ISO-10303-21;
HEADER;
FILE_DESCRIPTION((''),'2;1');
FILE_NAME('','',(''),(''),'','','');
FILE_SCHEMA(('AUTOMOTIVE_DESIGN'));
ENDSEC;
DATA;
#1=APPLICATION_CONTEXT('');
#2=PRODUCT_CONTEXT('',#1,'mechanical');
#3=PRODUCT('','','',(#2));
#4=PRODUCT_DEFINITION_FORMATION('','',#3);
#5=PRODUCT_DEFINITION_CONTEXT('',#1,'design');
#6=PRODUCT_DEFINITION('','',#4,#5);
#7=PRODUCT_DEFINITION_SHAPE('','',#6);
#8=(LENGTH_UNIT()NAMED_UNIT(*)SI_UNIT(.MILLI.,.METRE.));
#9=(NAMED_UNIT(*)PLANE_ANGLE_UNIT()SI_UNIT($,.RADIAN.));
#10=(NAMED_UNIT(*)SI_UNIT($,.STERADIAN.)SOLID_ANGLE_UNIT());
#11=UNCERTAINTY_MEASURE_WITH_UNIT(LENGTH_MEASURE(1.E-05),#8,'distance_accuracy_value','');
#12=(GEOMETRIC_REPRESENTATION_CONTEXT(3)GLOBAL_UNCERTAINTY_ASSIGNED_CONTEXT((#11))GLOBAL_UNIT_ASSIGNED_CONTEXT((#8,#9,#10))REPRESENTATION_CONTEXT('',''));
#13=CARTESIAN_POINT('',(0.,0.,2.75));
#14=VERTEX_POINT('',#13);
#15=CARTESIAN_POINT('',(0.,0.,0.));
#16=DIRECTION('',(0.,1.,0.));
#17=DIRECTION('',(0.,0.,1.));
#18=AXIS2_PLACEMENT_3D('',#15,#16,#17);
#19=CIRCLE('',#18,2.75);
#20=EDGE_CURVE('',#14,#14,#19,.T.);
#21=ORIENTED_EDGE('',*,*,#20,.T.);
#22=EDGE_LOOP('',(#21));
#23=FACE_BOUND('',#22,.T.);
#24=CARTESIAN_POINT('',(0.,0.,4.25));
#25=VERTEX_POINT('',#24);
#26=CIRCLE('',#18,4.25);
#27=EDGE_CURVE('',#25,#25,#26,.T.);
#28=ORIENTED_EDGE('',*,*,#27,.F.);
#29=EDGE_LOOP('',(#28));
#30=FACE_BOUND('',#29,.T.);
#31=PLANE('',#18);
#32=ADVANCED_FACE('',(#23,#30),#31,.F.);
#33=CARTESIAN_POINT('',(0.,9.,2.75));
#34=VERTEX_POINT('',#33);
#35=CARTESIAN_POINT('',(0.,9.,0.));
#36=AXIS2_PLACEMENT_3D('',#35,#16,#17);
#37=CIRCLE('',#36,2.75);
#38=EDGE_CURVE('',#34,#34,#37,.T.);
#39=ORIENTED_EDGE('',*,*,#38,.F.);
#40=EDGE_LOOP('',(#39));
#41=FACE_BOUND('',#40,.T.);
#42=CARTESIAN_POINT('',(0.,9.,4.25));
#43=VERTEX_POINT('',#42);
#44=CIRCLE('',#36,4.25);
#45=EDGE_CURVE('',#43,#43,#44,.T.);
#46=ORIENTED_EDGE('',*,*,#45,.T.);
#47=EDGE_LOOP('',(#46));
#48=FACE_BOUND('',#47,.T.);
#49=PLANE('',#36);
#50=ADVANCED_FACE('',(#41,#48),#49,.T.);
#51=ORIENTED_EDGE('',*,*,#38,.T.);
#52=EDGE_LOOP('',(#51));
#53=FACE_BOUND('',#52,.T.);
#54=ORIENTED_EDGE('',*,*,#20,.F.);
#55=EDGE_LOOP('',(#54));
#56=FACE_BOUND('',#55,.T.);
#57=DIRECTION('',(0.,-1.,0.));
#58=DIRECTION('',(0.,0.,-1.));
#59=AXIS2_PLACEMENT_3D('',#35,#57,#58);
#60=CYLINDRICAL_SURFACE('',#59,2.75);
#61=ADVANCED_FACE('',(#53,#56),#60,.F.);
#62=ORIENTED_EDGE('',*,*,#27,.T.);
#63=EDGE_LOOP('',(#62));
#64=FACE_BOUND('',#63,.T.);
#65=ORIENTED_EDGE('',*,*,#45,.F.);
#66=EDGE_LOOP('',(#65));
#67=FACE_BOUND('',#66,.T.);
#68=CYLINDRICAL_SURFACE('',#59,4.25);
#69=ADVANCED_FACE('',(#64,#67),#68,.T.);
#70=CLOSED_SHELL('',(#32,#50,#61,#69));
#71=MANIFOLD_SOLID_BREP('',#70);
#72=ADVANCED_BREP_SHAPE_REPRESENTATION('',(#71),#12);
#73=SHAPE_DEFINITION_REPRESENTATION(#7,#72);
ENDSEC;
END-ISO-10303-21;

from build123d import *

# Parameters (mm, degrees)
SKETCH1_R           = 4.25
SKETCH1_R_2         = 2.75
BOSS_EXTRUDE1_DEPTH = 9


with BuildPart() as part:
    # Sketch1 → Boss-Extrude1 (new body)
    with BuildSketch(Plane(origin=(0, 0, 0), x_dir=(1, 0, 0), z_dir=(0, 1, 0))):
        Circle(SKETCH1_R)
        Circle(SKETCH1_R_2, mode=Mode.SUBTRACT)
    extrude(amount=BOSS_EXTRUDE1_DEPTH)


solid = part.part
